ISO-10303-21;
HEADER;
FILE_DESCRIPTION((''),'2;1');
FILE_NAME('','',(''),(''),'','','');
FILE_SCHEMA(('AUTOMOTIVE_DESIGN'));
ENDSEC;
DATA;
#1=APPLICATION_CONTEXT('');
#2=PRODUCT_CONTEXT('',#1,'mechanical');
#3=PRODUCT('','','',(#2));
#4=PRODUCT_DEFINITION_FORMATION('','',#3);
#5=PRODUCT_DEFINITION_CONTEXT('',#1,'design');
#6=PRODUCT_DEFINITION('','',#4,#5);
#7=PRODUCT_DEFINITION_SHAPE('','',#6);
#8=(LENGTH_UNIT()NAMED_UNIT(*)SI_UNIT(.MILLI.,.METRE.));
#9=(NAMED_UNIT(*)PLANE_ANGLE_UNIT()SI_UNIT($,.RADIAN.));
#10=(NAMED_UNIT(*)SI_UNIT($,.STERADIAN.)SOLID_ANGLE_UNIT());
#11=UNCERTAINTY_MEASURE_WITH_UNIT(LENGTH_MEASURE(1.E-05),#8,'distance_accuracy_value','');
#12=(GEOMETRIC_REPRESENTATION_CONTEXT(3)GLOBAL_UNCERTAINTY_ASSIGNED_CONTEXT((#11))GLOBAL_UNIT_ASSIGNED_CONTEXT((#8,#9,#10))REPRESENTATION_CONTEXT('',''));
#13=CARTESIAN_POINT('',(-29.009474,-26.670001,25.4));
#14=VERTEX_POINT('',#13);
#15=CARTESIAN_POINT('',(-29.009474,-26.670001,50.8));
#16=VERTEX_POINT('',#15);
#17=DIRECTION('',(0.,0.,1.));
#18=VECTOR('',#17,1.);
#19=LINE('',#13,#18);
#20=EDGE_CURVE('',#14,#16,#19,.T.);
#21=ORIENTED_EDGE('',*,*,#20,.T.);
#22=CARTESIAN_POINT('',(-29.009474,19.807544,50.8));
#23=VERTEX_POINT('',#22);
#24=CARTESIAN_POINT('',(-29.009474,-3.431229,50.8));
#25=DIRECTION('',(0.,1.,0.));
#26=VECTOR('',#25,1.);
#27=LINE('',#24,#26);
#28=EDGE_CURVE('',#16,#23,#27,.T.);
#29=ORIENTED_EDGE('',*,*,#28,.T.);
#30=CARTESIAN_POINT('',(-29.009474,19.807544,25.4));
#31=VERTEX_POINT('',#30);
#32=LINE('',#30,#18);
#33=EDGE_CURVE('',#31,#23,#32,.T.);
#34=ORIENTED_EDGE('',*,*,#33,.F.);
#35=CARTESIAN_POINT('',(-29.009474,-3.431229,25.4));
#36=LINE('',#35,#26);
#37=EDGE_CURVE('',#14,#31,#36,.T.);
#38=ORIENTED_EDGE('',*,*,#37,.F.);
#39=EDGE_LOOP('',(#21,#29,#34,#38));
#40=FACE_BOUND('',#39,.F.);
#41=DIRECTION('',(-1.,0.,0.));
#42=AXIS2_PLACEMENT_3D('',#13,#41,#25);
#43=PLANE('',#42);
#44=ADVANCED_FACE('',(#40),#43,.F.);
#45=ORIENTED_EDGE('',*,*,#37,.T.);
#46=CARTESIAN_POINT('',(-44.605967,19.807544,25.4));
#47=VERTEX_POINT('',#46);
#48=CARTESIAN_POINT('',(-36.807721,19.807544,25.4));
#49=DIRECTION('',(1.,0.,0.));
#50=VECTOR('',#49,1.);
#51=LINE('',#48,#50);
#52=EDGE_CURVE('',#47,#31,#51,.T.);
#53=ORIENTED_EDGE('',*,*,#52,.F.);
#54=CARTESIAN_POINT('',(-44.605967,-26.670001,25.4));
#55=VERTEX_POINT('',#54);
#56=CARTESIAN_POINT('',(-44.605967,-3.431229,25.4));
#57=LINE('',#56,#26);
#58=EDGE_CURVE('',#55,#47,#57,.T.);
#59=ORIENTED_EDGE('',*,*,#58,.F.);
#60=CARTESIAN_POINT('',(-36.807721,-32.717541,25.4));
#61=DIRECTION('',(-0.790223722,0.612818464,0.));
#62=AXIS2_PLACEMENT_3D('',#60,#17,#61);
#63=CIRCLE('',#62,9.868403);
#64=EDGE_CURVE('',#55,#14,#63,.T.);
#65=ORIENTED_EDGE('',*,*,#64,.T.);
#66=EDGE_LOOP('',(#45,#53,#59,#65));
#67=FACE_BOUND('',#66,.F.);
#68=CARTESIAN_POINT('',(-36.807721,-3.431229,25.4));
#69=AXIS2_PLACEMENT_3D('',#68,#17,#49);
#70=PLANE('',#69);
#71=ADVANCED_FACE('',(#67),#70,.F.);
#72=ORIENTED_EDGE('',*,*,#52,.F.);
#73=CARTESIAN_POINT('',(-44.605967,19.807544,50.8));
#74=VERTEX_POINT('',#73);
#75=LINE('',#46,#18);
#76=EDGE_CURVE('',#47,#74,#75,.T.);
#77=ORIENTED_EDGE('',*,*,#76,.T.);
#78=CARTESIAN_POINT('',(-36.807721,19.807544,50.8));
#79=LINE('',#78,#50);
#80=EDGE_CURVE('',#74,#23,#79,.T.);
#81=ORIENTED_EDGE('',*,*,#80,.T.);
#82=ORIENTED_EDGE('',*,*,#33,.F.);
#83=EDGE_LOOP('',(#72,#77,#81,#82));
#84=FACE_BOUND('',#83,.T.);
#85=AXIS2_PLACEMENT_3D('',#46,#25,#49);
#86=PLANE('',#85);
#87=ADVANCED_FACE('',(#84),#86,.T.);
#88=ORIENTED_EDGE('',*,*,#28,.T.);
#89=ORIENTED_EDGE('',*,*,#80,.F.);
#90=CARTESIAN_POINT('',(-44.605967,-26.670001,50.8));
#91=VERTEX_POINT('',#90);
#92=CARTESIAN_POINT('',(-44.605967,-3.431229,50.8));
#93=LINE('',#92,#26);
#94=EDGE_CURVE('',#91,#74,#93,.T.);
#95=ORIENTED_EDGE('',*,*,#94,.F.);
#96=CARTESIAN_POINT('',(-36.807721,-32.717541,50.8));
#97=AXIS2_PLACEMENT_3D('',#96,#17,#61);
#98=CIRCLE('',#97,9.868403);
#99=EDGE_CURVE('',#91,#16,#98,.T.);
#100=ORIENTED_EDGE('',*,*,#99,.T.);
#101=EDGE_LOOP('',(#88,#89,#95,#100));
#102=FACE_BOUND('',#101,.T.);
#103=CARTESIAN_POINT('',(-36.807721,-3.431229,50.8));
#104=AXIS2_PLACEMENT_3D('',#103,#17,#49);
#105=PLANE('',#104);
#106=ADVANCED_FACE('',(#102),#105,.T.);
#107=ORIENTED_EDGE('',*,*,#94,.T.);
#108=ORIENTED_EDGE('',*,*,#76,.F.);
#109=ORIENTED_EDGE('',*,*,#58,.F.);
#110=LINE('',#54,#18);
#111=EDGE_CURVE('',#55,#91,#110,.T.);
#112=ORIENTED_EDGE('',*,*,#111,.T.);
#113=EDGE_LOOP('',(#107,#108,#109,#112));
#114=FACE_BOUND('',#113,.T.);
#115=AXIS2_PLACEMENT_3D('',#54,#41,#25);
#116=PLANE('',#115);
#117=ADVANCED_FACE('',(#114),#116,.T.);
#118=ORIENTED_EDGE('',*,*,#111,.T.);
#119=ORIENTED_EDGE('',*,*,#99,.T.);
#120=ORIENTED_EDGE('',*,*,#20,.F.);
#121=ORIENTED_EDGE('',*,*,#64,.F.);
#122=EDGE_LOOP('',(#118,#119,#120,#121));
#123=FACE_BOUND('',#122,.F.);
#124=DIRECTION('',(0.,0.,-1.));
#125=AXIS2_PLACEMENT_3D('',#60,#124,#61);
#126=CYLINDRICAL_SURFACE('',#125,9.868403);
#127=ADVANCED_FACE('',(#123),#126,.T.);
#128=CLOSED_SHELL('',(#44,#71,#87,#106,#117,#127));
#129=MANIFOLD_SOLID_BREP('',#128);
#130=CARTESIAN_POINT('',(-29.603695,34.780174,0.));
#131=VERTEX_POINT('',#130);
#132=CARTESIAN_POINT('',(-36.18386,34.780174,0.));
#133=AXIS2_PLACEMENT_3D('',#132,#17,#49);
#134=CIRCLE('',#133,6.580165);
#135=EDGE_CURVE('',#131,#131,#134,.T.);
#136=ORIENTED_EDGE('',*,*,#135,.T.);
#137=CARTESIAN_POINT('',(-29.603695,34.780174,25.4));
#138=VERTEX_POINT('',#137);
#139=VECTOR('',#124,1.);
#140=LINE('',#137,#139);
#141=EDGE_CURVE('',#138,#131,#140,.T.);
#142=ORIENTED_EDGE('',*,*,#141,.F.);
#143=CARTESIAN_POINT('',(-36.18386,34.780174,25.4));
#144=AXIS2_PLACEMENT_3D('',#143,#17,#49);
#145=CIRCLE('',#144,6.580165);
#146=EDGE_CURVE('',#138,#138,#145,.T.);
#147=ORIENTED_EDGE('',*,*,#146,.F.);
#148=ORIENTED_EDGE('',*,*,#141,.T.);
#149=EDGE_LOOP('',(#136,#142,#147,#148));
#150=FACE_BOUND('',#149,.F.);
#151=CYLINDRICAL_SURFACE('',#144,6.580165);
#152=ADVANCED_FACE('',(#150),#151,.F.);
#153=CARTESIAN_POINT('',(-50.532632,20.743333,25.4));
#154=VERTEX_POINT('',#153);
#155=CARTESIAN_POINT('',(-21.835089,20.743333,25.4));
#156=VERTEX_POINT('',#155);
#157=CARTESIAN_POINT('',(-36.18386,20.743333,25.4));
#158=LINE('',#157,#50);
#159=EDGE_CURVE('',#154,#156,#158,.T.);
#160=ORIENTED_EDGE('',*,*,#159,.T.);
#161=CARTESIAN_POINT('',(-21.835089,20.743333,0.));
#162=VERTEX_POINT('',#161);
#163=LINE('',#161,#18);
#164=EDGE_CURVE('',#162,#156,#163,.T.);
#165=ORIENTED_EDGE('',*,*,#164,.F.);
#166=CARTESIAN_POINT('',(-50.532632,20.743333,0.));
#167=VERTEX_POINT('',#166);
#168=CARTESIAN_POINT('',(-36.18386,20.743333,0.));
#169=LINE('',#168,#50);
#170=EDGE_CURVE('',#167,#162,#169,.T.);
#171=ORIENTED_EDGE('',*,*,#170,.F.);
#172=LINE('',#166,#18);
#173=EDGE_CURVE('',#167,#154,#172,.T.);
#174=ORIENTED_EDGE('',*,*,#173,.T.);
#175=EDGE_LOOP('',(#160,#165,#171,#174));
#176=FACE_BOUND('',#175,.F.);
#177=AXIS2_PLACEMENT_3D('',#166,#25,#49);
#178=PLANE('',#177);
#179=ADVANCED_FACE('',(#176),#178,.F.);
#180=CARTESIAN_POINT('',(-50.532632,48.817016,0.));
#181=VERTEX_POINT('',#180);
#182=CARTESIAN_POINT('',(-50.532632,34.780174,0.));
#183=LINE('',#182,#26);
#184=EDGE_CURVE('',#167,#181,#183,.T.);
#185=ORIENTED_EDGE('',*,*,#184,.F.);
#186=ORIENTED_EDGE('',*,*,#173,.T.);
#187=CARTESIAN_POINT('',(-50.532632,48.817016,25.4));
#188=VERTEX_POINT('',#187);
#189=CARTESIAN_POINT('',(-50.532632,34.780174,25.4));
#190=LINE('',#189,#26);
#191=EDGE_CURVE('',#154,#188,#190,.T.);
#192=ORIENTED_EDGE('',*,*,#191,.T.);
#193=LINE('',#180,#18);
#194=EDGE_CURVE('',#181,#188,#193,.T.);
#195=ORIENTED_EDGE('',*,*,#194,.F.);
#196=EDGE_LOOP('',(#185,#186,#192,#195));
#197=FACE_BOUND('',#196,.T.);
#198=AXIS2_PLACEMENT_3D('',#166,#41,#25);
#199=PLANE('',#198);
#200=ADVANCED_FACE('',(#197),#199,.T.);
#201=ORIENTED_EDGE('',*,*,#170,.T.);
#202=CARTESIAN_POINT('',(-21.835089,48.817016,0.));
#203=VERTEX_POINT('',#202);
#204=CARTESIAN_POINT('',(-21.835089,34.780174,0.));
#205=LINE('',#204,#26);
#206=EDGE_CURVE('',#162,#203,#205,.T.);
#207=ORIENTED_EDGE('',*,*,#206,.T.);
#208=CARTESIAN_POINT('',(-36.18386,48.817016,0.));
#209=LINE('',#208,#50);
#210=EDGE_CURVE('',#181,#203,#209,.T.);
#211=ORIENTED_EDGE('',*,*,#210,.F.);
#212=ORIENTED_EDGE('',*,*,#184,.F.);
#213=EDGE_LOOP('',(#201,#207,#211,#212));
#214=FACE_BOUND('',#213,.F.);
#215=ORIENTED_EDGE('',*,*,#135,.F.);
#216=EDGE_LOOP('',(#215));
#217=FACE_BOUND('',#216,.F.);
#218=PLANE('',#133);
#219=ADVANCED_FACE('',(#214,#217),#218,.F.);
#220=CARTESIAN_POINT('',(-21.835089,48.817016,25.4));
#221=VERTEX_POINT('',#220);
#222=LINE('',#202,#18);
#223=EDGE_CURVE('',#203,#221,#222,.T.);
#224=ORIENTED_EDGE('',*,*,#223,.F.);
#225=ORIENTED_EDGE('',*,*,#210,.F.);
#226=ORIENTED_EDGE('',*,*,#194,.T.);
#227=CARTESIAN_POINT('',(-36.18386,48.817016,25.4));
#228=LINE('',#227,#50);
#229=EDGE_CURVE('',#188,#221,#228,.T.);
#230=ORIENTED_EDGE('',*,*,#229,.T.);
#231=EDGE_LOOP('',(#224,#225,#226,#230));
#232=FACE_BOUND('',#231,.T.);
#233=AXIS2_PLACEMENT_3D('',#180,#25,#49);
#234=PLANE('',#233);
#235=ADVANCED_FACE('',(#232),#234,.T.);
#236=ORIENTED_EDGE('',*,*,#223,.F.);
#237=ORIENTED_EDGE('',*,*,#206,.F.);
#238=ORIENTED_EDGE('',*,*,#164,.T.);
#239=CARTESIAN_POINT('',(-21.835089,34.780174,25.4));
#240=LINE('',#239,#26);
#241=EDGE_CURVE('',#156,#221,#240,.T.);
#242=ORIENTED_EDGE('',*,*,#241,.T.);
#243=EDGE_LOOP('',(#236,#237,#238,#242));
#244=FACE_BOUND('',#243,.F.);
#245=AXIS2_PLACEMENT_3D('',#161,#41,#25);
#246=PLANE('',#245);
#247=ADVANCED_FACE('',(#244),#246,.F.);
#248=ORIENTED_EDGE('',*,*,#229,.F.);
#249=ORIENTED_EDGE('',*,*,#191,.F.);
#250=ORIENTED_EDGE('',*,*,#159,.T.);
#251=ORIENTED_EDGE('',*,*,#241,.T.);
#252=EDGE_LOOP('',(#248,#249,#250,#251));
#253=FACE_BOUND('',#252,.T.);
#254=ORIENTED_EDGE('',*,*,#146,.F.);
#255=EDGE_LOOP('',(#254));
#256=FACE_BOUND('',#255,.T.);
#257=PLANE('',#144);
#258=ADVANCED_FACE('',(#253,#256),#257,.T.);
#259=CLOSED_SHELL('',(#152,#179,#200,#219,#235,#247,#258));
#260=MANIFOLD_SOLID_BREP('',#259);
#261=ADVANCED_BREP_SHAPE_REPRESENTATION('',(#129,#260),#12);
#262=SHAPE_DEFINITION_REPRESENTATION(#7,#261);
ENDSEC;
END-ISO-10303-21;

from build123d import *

# Parameters (mm, degrees)
F0_W     = 28.6975428462
F0_H     = 28.0736833811
F1_DEPTH = 25.4
F2_R     = 6.580164917
F3_DEPTH = 25.4
F5_W     = 15.596492216
F5_H     = 46.4775450528
F6_DEPTH = 25.4


with BuildPart() as f1:
    # F0 (on Top) → F1 (new body)
    with BuildSketch(Plane.XY):
        with Locations((-36.183860153, 34.7801744938)):
            Rectangle(F0_W, F0_H)
    extrude(amount=F1_DEPTH)

    # F2 (on face) → F3 (cut, through all)
    with BuildSketch(Plane.XY.offset(25.4)):
        with Locations((-36.183860153, 34.7801744938)):
            Circle(F2_R)
    extrude(amount=-F3_DEPTH, mode=Mode.SUBTRACT)


with BuildPart() as f6:
    # F5 (on offset) → F6 (new body)
    with BuildSketch(Plane.XY.offset(25.4)):
        with Locations((-36.8077205494, -3.4312289208)):
            Rectangle(F5_W, F5_H)
        with BuildLine():
            Line((-29.0094744414, -26.6700014472), (-44.6059666574, -26.6700014472))
            ThreePointArc((-44.6059666574, -26.6700014472), (-36.8077205494, -42.5859439403), (-29.0094744414, -26.6700014472))
        make_face()
    extrude(amount=F6_DEPTH)


solid = Compound([f1.part, f6.part])
